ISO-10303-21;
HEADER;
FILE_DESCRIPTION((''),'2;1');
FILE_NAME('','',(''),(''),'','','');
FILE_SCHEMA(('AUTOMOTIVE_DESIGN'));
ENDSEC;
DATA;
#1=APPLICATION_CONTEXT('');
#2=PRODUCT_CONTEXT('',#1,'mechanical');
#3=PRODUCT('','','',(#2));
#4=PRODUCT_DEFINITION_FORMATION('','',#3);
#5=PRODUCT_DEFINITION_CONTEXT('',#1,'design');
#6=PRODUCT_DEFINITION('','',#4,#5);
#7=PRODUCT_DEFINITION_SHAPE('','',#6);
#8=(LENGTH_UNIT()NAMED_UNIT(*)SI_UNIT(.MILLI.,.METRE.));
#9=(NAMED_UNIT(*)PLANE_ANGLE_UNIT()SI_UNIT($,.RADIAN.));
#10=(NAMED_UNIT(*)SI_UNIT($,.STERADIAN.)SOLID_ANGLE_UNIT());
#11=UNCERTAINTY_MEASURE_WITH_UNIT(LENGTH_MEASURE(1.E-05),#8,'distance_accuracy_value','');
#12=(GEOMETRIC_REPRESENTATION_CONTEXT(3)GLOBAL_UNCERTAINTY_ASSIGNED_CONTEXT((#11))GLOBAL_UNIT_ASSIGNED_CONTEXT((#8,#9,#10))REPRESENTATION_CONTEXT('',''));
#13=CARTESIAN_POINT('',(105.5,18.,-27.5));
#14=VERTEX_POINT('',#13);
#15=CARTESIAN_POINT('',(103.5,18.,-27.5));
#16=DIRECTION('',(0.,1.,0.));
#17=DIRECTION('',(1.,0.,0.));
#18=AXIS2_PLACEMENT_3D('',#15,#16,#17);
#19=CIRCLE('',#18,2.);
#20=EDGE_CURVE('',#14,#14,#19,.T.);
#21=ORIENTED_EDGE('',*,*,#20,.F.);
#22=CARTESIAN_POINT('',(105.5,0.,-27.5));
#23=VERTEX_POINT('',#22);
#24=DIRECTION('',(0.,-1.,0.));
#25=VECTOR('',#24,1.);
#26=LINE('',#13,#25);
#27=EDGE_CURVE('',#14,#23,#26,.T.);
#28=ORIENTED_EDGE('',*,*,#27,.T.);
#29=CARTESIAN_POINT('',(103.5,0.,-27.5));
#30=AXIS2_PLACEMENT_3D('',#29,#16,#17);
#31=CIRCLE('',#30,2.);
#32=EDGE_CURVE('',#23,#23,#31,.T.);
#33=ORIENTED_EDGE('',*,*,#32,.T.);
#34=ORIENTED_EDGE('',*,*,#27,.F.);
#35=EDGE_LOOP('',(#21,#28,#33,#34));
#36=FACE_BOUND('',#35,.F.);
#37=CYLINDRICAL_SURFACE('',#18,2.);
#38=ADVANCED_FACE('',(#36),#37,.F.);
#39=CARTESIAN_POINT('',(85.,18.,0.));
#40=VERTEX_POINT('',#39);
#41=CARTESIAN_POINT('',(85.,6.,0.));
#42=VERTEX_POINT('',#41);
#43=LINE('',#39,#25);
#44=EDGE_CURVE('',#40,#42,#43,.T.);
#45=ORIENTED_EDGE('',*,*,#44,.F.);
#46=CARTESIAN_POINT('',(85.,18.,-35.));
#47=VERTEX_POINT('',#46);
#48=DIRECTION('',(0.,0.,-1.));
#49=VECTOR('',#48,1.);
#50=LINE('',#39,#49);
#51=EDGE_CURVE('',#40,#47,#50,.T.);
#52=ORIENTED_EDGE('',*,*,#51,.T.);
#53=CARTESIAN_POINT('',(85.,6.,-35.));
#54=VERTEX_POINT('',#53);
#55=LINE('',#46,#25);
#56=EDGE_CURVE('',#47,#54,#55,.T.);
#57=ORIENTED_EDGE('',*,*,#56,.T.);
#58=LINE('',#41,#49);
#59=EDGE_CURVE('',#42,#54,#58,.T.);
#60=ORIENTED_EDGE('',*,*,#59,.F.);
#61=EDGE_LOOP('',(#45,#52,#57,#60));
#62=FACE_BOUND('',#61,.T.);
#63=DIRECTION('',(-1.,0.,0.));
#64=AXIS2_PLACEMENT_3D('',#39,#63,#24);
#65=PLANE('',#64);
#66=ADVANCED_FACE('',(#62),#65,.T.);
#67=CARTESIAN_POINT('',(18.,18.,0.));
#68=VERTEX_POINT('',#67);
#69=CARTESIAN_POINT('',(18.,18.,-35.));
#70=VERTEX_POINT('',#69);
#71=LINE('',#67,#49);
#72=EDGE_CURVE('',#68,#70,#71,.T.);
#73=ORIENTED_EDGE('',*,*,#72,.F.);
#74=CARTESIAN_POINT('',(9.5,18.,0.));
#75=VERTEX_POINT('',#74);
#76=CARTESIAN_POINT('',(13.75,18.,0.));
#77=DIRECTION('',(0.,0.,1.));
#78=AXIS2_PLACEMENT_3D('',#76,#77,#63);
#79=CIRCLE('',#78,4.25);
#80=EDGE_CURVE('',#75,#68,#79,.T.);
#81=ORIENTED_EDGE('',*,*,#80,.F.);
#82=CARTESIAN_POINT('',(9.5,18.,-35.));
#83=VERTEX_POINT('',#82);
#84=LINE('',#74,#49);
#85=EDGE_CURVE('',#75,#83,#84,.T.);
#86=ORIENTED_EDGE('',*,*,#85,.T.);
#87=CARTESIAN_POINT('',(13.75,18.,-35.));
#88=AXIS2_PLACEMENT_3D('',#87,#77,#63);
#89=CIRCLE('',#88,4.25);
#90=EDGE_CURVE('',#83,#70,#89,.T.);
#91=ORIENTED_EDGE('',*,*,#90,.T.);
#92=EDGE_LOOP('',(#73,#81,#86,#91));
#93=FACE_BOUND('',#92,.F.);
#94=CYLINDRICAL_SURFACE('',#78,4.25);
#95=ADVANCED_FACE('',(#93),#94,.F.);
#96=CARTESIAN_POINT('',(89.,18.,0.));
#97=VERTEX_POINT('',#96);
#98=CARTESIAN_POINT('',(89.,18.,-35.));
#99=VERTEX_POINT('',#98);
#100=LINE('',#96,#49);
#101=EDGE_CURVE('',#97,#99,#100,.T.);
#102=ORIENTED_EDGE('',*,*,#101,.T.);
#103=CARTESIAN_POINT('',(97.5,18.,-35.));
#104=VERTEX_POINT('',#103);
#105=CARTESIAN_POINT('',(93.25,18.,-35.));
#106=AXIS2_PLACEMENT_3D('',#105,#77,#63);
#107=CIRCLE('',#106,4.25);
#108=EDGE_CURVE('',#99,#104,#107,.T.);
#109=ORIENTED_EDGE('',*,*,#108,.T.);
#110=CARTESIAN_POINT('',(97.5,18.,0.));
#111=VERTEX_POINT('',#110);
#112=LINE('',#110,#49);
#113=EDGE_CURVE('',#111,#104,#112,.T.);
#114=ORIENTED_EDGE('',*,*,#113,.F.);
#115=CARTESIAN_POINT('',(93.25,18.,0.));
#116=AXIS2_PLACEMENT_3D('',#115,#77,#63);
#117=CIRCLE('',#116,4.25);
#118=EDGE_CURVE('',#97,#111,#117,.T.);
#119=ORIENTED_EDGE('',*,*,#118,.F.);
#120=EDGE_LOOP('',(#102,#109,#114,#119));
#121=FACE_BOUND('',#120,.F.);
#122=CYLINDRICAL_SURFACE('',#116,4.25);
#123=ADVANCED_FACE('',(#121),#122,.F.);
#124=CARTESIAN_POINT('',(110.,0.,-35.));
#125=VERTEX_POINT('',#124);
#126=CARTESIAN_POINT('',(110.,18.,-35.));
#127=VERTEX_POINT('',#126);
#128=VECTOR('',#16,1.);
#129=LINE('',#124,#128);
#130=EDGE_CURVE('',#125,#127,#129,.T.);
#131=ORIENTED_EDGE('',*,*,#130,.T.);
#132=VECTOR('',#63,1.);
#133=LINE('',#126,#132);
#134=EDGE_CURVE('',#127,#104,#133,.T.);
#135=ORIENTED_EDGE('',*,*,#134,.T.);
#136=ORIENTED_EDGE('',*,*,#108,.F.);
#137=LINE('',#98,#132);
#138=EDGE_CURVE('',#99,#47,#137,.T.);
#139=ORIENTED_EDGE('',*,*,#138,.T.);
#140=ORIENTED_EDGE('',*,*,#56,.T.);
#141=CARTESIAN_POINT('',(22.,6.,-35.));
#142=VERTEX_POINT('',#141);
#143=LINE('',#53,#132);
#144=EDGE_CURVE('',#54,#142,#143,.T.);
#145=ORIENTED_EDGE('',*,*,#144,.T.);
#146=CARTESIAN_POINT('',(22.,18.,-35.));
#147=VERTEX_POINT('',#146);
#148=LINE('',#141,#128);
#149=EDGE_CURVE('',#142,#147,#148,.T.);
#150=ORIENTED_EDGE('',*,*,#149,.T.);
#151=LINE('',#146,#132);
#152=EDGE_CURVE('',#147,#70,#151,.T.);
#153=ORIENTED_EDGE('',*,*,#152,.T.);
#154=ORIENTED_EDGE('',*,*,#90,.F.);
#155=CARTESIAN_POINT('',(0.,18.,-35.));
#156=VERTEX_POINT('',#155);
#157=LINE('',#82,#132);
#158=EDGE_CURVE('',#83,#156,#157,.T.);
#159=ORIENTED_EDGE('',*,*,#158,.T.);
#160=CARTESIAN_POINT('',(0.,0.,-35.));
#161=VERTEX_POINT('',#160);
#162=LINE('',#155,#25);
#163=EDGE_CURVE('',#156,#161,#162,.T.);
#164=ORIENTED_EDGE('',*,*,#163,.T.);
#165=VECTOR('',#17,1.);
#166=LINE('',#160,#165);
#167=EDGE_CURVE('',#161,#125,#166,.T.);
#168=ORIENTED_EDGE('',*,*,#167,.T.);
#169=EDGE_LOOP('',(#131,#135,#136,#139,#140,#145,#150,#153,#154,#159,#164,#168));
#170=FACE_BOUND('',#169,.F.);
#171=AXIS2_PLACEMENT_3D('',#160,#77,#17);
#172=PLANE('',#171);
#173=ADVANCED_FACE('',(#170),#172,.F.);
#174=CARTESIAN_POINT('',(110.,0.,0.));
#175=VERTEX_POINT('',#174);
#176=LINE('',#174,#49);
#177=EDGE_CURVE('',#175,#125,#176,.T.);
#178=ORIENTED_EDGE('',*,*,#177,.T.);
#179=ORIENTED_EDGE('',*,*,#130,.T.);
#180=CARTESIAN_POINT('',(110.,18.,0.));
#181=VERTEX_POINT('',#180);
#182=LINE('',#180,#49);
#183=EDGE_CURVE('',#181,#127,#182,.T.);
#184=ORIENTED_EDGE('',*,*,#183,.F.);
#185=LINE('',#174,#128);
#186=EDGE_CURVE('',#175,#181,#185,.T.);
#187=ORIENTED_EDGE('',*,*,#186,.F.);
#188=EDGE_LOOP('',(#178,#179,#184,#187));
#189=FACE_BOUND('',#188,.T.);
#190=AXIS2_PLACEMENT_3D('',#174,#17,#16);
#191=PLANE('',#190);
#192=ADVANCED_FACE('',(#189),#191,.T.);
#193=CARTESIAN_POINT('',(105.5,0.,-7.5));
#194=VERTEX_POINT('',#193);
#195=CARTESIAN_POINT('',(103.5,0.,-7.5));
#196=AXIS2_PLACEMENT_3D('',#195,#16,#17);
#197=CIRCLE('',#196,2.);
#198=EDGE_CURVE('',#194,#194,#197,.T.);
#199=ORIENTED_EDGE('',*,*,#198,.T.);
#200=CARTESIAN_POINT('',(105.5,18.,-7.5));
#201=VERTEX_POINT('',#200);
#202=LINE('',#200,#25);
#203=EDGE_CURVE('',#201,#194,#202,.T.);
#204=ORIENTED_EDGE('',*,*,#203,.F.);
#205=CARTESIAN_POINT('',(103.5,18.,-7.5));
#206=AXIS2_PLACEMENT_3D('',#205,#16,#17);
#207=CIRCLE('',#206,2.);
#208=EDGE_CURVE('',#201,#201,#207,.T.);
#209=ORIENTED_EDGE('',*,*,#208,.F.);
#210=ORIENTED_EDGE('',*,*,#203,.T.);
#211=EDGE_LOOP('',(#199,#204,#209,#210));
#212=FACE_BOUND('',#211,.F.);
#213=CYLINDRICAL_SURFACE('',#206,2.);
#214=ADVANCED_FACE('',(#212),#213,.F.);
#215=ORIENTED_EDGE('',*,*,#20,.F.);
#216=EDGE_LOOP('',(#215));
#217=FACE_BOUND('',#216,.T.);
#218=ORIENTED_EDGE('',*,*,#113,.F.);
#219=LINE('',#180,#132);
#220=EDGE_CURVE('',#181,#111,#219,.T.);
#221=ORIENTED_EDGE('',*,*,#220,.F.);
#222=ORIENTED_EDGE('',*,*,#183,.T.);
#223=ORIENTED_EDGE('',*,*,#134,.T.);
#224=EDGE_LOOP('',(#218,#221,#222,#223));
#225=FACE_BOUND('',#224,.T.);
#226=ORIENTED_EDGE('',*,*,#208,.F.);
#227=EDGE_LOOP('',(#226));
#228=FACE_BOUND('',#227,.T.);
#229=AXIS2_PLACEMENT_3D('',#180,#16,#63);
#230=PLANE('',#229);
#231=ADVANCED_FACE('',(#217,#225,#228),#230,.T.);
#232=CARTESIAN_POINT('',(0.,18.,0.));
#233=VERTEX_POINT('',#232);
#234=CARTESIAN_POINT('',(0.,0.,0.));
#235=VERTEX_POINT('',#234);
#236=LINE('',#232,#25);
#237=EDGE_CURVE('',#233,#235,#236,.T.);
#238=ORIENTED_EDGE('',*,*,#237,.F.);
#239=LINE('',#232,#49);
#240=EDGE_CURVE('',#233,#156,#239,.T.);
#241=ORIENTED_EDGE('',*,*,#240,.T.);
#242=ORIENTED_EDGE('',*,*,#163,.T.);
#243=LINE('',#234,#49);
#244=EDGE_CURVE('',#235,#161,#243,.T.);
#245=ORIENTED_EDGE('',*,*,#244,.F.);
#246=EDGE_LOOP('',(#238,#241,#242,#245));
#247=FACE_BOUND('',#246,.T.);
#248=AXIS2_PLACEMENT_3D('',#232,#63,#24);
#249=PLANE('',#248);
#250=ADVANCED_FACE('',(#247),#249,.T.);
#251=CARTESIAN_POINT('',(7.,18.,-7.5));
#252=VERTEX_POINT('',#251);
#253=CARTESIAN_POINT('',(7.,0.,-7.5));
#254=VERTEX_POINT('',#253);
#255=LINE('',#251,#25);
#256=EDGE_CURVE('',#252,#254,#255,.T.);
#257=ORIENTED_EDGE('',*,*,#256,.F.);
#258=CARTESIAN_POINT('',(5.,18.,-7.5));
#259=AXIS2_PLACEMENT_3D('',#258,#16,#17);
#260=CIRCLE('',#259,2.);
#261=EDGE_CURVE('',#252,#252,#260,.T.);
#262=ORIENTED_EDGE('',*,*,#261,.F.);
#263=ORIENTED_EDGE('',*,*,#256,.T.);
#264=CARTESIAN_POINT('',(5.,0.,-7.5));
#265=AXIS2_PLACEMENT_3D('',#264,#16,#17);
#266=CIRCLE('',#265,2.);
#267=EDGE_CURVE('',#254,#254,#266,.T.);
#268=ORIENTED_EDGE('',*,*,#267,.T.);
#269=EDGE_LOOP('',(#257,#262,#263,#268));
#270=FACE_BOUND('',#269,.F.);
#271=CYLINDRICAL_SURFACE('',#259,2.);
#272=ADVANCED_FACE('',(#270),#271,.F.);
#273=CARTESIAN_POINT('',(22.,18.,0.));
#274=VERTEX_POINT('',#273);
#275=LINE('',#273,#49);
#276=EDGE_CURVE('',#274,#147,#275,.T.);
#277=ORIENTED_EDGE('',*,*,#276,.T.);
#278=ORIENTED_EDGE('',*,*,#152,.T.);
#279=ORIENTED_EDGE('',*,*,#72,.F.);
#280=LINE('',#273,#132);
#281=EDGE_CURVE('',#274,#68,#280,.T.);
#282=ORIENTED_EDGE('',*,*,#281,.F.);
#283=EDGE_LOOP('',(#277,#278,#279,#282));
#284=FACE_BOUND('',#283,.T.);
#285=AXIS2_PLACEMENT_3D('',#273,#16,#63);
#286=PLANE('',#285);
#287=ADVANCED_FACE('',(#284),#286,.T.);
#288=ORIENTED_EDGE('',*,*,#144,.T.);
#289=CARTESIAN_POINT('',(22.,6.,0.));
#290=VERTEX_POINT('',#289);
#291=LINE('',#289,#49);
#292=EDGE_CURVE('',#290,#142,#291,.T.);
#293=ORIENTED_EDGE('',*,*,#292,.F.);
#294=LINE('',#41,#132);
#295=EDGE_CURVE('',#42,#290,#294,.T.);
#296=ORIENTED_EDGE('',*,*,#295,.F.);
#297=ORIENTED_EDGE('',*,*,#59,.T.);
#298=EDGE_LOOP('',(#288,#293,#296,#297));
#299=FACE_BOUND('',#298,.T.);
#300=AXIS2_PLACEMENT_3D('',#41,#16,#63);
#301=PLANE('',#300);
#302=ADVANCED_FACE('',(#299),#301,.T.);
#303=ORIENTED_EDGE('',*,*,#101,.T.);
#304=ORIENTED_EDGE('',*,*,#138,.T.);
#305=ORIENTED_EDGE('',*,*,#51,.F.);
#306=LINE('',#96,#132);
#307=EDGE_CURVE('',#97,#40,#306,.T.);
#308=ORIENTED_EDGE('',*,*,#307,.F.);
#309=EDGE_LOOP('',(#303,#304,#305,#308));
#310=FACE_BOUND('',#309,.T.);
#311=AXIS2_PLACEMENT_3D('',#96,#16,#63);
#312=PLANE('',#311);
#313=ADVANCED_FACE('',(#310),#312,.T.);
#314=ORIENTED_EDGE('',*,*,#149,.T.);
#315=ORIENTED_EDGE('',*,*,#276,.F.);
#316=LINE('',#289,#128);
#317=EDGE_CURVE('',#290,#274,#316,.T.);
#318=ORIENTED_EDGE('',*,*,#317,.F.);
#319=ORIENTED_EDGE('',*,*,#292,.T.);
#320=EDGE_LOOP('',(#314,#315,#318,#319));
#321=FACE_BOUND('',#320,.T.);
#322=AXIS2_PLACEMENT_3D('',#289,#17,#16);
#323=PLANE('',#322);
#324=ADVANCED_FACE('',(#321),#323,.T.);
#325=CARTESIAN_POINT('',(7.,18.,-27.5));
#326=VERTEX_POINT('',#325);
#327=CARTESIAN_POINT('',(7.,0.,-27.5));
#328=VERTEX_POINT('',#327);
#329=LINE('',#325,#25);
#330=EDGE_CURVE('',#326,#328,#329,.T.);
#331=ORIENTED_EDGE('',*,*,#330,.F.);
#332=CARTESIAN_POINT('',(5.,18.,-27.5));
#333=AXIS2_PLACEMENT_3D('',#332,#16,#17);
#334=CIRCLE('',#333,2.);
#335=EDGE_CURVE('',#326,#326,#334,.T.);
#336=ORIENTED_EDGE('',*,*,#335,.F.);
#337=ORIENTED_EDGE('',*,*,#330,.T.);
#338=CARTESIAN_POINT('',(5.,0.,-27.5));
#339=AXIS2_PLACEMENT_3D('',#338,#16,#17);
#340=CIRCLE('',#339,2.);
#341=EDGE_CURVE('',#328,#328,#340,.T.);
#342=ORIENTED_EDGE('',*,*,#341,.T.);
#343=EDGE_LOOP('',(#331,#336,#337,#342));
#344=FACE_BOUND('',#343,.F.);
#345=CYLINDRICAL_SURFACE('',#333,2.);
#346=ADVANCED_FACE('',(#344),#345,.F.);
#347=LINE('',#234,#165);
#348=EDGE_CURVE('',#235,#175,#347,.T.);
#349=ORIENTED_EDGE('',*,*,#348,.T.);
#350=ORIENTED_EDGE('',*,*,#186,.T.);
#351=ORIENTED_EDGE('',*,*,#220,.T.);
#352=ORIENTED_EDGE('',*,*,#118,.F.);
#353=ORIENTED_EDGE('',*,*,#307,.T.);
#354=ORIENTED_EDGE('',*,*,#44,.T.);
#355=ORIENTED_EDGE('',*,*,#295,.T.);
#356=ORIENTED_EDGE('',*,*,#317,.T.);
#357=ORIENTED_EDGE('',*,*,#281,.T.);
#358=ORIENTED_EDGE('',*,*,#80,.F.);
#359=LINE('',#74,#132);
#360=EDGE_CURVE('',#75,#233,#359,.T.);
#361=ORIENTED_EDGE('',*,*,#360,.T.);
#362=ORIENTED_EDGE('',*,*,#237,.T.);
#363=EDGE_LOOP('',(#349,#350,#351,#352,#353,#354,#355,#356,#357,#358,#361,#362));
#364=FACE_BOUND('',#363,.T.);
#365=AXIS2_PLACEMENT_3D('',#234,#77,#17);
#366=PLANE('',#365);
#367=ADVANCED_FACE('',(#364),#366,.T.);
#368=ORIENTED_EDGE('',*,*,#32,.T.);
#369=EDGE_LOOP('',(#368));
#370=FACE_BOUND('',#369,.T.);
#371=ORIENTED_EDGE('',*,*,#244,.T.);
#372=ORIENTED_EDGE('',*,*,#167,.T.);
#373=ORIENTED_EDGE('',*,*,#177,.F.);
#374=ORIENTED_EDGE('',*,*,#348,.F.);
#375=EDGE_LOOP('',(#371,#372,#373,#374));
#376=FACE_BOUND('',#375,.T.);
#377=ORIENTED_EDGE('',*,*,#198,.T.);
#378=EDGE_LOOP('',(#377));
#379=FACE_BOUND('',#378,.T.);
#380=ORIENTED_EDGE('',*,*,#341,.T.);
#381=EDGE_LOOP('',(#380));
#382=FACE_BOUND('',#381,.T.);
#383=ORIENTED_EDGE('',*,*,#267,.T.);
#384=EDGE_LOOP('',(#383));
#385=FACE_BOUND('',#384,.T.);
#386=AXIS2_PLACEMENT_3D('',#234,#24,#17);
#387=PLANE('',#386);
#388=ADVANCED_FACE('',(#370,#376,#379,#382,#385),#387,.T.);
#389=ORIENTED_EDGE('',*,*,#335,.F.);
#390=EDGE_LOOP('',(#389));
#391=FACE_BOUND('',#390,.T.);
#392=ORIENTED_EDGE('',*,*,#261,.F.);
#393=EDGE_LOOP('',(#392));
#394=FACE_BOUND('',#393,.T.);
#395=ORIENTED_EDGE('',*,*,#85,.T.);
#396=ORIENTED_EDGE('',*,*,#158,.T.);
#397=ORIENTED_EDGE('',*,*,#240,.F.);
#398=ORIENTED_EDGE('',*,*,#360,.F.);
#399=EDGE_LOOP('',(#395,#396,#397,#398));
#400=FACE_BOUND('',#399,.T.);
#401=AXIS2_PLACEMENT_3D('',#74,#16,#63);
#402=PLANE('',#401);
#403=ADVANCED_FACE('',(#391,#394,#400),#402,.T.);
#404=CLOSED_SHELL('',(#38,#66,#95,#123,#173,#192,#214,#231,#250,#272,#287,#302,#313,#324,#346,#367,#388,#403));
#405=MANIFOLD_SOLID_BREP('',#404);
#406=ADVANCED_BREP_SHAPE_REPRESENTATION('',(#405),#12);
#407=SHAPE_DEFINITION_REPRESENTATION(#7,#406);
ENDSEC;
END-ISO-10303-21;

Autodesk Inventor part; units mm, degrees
ref_plane "YZ Plane" through (0, 0, 0) normal (1, 0, 0) x (0, 1, 0)
ref_plane "XZ Plane" through (0, 0, 0) normal (0, 1, 0) x (-1, 0, 0)
ref_plane "XY Plane" through (0, 0, 0) normal (0, 0, 1) x (1, 0, 0)
sketch "Sketch1" plane through (0, 0, 0) normal (0, 0, 1) x (1, 0, 0)
  line L0 (0, 0) -> (110, 0)
  line L1 (110, 0) -> (110, 18)
  line L2 (110, 18) -> (97.5, 18)
  arc A0 (89, 18) -> (97.5, 18) centre (93.25, 18) ccw
  line L3 (89, 18) -> (85, 18)
  line L4 (85, 18) -> (85, 6)
  line L5 (85, 6) -> (22, 6)
  line L6 (22, 6) -> (22, 18)
  line L7 (22, 18) -> (18, 18)
  arc A1 (9.5, 18) -> (18, 18) centre (13.75, 18) ccw
  line L8 (9.5, 18) -> (0, 18)
  line L9 (0, 18) -> (0, 0)
  dimension "d0" = 110
  dimension "d1" = 18
  dimension "d2" = 12.5
  dimension "d4" = 8.5
  dimension "d5" = 4
  dimension "d6" = 12
  dimension "d7" = 63
  dimension "d8" = 12
  dimension "d9" = 4
  dimension "d11" = 8.5
extrude "Extrusion1" add sketch "Sketch1" against normal blind 35
sketch "Sketch2" plane through (97.5, 18, 0) normal (0, 1, 0) x (1, 0, 0)
  line L0 (12.5, 0) -> (12.5, 35) projected
  circle A0 centre (6, 27.5) radius 2
  circle A1 centre (6, 7.5) radius 2
  line L1 (-97.5, 0) -> (-97.5, 35) projected
  circle A2 centre (-92.5, 27.5) radius 2
  circle A3 centre (-92.5, 7.5) radius 2
  dimension "d17" = 4
  dimension "d18" = 4
  dimension "d22" = 4
  dimension "d23" = 4
extrude "Extrusion2" cut sketch "Sketch2" against normal blind 18
properties part number "g_servo mount 2"
